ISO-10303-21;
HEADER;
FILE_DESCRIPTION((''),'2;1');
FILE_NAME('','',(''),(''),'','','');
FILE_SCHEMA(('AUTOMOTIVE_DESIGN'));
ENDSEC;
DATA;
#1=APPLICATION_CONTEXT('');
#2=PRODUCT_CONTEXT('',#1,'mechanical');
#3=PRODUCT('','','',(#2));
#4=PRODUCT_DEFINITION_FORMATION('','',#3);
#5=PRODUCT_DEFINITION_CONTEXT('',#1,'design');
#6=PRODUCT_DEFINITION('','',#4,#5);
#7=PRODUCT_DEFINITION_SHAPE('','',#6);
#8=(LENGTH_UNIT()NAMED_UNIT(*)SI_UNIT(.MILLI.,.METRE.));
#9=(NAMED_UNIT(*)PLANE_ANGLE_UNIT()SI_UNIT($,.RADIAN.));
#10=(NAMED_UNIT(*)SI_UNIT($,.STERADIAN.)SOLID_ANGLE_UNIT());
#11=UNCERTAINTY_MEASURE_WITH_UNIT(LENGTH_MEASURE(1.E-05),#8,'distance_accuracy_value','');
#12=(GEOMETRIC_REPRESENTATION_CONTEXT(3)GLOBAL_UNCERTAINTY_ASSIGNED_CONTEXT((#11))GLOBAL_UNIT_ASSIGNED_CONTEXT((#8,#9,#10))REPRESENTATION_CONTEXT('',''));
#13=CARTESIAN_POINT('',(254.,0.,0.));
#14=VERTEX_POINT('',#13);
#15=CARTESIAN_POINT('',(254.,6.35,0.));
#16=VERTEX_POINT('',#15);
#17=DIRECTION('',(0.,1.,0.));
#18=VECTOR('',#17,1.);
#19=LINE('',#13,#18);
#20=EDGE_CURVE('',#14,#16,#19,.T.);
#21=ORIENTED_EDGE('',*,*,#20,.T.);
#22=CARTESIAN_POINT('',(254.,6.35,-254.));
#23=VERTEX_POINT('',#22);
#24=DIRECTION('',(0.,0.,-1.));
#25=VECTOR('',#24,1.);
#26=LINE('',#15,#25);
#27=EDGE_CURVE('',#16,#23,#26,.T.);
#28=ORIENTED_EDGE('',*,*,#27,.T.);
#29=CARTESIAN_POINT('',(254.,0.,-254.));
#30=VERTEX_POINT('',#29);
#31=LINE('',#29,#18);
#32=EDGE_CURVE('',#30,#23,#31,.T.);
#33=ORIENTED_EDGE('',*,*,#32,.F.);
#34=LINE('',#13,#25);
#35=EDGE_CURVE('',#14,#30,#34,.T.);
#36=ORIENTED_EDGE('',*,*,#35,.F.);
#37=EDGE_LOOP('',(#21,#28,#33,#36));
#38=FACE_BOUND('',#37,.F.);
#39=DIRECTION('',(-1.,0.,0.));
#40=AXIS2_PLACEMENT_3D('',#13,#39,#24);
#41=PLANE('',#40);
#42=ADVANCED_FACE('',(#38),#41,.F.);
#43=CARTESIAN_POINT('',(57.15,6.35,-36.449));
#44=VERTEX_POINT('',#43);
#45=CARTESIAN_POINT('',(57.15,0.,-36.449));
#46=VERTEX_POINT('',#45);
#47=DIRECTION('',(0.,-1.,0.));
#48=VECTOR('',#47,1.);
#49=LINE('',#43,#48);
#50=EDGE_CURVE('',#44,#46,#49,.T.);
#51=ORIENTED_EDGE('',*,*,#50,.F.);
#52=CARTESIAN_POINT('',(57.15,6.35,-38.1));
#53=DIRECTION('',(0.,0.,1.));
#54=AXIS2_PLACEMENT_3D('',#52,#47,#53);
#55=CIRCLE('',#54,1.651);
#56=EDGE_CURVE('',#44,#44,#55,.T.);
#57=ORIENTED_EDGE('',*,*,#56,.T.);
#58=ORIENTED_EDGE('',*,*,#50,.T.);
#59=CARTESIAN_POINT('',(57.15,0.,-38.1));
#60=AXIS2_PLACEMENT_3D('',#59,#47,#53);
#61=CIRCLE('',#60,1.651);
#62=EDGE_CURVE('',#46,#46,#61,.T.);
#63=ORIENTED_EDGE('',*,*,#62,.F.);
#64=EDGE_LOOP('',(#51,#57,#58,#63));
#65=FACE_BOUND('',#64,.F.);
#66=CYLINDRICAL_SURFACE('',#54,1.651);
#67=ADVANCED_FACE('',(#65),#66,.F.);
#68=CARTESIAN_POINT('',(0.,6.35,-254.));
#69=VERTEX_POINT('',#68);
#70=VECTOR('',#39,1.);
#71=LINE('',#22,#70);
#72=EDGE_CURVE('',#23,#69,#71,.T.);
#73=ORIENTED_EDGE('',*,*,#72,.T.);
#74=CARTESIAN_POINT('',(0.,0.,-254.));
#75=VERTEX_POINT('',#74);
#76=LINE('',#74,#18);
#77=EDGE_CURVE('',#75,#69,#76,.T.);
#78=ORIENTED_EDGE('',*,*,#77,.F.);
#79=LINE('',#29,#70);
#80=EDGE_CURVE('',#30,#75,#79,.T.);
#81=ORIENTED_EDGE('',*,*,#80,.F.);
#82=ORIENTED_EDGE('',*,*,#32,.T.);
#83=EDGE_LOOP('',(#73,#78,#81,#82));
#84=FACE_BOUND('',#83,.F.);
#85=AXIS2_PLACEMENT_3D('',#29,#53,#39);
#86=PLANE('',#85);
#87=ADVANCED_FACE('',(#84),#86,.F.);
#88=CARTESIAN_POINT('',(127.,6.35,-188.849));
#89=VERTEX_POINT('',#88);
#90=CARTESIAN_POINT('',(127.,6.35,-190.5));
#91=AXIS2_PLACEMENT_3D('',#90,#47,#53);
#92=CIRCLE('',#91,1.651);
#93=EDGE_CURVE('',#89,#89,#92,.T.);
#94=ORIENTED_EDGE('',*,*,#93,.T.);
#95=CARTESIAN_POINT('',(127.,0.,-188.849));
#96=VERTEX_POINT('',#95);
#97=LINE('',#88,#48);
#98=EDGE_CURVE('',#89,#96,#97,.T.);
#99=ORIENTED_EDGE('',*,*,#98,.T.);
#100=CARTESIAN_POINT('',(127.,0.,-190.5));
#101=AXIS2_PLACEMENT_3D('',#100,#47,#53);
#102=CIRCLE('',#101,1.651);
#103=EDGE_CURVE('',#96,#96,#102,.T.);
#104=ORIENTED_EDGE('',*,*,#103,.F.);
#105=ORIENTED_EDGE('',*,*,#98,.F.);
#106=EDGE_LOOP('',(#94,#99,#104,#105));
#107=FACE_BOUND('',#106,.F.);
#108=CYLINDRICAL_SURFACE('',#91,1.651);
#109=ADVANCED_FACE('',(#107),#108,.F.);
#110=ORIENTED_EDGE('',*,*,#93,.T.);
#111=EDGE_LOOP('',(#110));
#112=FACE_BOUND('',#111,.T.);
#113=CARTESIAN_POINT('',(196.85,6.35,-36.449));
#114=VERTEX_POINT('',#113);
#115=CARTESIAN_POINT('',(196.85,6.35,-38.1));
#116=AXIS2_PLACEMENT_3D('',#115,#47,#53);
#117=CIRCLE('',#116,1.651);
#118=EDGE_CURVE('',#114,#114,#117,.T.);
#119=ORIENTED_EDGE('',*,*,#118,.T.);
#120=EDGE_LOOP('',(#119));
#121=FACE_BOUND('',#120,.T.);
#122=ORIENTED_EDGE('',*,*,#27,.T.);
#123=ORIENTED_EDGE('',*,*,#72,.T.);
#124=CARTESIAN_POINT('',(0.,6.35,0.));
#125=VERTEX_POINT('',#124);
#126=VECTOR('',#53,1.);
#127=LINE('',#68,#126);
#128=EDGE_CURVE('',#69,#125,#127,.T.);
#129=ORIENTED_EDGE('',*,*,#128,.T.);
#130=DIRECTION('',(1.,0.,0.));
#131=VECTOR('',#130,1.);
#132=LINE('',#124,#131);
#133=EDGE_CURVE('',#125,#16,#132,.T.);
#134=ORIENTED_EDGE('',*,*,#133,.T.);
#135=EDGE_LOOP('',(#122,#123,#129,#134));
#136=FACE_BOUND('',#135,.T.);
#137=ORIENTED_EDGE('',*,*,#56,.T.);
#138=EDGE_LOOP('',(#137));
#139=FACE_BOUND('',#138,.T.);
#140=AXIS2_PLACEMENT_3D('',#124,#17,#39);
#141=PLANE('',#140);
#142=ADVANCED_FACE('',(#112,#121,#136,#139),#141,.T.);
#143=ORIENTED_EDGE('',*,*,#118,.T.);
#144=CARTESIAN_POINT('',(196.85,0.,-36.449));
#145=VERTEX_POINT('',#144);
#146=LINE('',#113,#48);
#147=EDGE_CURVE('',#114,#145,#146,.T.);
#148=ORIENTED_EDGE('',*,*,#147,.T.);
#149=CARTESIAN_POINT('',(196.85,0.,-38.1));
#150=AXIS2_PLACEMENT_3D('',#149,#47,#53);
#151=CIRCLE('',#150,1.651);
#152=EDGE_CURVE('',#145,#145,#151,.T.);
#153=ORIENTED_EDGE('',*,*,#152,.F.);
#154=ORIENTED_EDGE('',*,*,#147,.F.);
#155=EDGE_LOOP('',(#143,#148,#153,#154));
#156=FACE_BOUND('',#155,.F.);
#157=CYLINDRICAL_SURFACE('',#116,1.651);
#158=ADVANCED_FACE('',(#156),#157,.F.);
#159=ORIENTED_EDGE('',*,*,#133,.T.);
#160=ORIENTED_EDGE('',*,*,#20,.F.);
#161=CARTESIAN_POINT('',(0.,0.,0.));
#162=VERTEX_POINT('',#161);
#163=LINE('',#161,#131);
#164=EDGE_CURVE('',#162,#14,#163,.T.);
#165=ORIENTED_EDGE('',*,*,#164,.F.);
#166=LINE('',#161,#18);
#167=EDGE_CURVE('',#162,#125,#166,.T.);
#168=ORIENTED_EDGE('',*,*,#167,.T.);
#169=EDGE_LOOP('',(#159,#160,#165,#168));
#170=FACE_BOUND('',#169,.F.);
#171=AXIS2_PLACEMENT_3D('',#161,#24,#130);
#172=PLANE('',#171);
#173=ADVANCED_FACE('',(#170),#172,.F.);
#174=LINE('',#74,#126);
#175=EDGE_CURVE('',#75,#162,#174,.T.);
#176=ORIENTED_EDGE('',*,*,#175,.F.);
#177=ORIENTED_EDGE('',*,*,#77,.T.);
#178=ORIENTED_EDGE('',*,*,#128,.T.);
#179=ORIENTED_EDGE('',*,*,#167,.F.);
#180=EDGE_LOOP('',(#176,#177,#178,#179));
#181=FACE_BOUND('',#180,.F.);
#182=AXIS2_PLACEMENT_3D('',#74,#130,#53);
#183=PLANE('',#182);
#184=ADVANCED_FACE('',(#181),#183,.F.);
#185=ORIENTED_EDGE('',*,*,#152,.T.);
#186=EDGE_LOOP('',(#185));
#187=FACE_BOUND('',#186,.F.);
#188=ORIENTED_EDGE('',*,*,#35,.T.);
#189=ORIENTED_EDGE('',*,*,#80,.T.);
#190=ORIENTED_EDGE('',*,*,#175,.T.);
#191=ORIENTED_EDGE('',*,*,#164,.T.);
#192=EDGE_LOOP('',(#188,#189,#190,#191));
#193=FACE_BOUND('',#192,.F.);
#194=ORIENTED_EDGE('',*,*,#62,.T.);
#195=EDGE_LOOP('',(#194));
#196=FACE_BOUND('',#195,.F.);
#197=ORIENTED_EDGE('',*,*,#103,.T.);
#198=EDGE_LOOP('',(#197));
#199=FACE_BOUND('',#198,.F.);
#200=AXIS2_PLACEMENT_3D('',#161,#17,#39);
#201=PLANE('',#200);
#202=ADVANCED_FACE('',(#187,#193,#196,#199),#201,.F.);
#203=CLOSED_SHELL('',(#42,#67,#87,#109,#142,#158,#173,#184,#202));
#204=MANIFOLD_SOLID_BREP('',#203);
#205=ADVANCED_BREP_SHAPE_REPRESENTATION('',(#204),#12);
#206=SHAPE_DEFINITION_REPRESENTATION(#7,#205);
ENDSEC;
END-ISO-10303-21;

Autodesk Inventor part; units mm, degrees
ref_plane "YZ Plane" through (0, 0, 0) normal (1, 0, 0) x (0, 1, 0)
ref_plane "XZ Plane" through (0, 0, 0) normal (0, 1, 0) x (-1, 0, 0)
ref_plane "XY Plane" through (0, 0, 0) normal (0, 0, 1) x (1, 0, 0)
sketch "Sketch1" plane through (0, 0, 0) normal (0, 1, 0) x (-1, 0, 0)
  line L0 (0, 0) -> (-254, 0)
  line L1 (-254, 0) -> (-254, -254)
  line L2 (-254, -254) -> (0, -254)
  line L3 (0, -254) -> (0, 0)
  dimension "d0" = 254
  dimension "d1" = 254
extrude "Extrusion1" add sketch "Sketch1" along normal blind 6.35
sketch "Sketch2" plane through (0, 6.35, 0) normal (0, 1, 0) x (1, 0, 0)
  line L0 (254, 254) -> (0, 254) projected
  line L1 (127, 190.5) -> (127, 38.1)
  line L2 (127, 38.1) -> (57.15, 38.1)
  line L3 (57.15, 38.1) -> (196.85, 38.1)
  line L4 (0, 254) -> (0, 0) projected
  point P0 (127, 254)
  point P1 (127, 114.3)
  dimension "d4" = 69.85
  dimension "d5" = 69.85
  dimension "d6" = 152.4
  dimension "d27" = 63.5
hole "Hole1" at (57.15, 6.35, -38.1) at (196.85, 6.35, -38.1) at (127, 6.35, -190.5) direction (0, -1, 0) diameter 3.302 end through all thread size "8-32 UNC" class "2B" standard "ANSI Unified Screw Threads"
equation "\"d5\" = d4"
properties part number "Base"
